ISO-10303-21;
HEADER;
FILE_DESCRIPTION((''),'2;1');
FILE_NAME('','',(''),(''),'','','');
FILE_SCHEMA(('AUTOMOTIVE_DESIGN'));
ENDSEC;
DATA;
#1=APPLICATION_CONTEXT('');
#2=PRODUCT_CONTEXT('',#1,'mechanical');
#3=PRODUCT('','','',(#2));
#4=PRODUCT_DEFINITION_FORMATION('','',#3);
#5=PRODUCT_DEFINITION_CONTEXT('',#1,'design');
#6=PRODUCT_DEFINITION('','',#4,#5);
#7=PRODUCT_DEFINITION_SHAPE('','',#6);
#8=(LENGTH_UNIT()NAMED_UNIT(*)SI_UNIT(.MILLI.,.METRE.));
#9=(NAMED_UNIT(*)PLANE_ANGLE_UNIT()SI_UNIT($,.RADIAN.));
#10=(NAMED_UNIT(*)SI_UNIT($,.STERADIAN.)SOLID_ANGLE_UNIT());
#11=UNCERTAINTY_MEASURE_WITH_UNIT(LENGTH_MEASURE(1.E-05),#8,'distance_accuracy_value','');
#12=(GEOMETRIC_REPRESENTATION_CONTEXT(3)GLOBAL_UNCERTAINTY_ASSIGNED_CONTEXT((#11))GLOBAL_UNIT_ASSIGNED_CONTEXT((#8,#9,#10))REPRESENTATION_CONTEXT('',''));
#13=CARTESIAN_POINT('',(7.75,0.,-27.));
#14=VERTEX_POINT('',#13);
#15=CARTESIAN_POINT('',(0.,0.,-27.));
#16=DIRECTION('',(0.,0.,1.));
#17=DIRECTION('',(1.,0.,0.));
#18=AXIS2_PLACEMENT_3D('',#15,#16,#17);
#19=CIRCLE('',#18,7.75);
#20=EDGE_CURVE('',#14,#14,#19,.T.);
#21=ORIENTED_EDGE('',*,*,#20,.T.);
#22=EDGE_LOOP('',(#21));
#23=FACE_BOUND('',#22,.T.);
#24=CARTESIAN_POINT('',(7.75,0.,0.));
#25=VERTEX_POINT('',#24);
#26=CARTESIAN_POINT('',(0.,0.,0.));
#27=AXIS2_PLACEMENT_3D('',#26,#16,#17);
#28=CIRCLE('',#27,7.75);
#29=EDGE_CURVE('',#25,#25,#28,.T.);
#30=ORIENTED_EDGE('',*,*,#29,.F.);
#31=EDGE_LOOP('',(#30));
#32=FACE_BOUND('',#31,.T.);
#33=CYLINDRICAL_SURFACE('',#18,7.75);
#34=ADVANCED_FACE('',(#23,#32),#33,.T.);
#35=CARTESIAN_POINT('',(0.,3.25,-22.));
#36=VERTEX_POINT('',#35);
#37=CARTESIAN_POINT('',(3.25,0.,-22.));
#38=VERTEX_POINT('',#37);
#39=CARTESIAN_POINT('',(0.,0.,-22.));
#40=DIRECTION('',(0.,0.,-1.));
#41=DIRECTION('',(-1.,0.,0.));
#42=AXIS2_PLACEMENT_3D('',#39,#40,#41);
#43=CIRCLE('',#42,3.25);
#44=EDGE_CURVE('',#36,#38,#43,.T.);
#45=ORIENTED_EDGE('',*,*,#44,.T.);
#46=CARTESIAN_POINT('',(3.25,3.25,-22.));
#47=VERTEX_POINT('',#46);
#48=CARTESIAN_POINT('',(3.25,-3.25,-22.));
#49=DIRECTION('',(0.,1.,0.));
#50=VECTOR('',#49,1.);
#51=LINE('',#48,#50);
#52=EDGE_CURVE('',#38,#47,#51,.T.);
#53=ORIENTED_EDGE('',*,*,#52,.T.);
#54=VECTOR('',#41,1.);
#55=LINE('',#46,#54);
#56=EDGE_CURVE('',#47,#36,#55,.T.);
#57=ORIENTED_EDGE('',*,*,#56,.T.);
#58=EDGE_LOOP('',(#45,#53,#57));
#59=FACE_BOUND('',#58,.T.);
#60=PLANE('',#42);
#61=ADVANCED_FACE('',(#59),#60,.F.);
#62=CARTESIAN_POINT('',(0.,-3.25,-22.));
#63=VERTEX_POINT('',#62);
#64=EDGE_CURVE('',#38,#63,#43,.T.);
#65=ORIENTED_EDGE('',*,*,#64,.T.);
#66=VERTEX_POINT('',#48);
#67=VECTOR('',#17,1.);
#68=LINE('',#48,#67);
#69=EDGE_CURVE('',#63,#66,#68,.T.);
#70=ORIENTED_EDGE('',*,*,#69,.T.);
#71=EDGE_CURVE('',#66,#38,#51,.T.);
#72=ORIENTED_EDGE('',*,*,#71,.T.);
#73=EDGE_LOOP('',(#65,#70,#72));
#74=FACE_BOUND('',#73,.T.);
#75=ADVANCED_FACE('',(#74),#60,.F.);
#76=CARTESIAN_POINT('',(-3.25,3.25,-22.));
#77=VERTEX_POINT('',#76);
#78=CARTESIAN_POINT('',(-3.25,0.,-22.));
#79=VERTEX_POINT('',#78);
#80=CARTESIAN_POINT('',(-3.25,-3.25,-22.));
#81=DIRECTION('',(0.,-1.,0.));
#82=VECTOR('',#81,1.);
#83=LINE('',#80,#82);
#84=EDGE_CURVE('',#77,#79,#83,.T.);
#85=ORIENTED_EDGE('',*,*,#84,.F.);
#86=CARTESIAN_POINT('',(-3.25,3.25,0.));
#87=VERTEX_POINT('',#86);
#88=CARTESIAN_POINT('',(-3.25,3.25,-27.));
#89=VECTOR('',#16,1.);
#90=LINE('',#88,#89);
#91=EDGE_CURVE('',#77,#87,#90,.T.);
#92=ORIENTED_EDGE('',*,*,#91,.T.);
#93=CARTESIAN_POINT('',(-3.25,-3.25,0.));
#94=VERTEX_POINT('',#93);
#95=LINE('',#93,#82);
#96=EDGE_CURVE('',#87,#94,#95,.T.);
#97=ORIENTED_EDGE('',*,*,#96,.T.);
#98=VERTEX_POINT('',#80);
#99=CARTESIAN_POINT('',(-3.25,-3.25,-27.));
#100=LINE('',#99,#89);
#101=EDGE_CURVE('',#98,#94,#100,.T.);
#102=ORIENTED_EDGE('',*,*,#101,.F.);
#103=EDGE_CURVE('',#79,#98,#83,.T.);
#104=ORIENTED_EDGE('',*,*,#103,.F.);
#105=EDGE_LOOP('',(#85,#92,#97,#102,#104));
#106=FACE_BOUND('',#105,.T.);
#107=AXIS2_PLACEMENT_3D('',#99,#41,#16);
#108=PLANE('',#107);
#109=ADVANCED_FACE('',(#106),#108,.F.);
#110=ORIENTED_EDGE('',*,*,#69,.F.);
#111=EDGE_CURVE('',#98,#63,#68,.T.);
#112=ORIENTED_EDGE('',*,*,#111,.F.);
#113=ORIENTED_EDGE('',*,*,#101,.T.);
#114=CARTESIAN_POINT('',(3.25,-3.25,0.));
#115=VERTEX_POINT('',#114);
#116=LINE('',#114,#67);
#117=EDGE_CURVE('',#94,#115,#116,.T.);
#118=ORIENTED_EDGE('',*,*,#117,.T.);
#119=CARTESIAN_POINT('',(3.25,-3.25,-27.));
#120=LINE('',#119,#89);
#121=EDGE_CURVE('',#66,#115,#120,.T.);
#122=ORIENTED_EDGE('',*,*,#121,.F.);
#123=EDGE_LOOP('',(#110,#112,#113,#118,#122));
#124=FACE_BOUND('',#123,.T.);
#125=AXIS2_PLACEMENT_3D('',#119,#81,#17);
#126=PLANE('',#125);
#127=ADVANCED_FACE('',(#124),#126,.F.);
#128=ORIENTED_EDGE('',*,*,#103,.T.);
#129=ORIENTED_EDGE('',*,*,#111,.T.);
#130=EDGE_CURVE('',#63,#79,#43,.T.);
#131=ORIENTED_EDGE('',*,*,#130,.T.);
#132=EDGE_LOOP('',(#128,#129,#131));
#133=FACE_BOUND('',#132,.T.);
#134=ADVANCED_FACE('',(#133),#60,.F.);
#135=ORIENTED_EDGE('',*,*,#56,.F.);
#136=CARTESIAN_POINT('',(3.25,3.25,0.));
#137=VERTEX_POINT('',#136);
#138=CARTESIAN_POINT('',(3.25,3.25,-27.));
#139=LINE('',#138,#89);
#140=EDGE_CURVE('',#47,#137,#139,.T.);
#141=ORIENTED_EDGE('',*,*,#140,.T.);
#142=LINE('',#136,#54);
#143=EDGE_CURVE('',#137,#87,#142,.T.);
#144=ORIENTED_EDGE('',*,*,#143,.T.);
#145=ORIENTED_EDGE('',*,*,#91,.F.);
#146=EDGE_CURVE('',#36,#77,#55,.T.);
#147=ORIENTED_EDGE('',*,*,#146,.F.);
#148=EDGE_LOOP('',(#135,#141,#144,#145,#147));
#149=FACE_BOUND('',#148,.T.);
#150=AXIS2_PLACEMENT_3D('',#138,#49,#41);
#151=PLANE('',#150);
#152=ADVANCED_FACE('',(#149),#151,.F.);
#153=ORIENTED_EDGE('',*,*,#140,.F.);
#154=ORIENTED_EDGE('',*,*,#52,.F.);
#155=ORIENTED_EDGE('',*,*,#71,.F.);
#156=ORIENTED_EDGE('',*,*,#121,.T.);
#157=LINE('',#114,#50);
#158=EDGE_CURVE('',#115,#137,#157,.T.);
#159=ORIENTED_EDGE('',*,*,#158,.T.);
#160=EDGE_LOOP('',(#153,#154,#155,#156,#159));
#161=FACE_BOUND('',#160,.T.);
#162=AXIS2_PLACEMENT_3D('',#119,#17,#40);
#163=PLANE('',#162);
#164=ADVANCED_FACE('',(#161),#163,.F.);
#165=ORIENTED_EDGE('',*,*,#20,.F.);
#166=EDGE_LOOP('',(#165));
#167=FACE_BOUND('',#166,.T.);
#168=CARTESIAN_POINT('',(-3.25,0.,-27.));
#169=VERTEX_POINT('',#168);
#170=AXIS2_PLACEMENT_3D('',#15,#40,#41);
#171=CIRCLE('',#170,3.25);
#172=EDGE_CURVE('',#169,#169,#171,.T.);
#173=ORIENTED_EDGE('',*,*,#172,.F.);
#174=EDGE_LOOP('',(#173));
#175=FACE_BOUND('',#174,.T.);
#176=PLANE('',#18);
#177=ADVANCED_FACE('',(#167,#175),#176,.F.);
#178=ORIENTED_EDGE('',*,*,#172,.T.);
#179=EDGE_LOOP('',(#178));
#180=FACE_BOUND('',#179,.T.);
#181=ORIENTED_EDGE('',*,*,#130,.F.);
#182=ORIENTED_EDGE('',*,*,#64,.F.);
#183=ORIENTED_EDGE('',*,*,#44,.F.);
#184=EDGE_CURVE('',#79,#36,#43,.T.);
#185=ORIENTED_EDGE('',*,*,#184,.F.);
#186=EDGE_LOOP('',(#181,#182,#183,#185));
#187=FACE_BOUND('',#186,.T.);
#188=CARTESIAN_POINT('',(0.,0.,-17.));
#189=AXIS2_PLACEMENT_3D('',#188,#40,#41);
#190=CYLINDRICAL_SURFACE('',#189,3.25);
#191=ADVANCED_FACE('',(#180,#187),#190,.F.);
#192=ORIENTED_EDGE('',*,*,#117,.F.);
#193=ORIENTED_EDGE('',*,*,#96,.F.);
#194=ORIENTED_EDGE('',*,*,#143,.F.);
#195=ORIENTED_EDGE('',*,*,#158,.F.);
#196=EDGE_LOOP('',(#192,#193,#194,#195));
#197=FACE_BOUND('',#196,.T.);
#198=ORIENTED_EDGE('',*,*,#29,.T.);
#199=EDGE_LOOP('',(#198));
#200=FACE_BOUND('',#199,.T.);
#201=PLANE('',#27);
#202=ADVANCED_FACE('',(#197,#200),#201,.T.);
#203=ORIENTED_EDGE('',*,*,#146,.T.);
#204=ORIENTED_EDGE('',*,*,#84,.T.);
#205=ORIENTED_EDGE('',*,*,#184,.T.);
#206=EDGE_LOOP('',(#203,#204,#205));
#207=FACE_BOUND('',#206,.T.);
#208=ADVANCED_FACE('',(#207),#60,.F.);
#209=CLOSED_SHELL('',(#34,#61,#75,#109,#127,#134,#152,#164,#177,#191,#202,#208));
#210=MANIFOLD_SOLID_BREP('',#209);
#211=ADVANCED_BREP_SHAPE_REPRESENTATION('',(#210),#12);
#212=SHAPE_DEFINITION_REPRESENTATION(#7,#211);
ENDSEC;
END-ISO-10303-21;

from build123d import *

# Parameters (mm, degrees)
CROQUIS1_R              = 7.75
SALIENTE_EXTRUIR1_DEPTH = 27
CROQUIS2_W              = 6.5
CROQUIS2_H              = 6.5
CORTAR_EXTRUIR1_DEPTH   = 30.139749484
CROQUIS3_R              = 5
SALIENTE_EXTRUIR2_DEPTH = 5
CROQUIS4_R              = 1.75
CORTAR_EXTRUIR2_DEPTH   = 30.139749484
CROQUIS5_R              = 3.25
CORTAR_EXTRUIR3_DEPTH   = 10


with BuildPart() as part:
    # Croquis1 → Saliente-Extruir1 (new body)
    with BuildSketch(Plane.XY):
        Circle(CROQUIS1_R)
    extrude(amount=-SALIENTE_EXTRUIR1_DEPTH)

    # Croquis2 → Cortar-Extruir1 (cut, through all)
    with BuildSketch(Plane.XY):
        Rectangle(CROQUIS2_W, CROQUIS2_H)
    extrude(amount=-CORTAR_EXTRUIR1_DEPTH, mode=Mode.SUBTRACT)

    # Croquis3 → Saliente-Extruir2 (add)
    with BuildSketch(Plane(origin=(0, 0, -27), x_dir=(-1, 0, 0), z_dir=(0, 0, -1))):
        Circle(CROQUIS3_R)
    extrude(amount=-SALIENTE_EXTRUIR2_DEPTH)

    # Croquis4 → Cortar-Extruir2 (cut, through all)
    with BuildSketch(Plane(origin=(0, 0, -27), x_dir=(-1, 0, 0), z_dir=(0, 0, -1))):
        Circle(CROQUIS4_R)
    extrude(amount=-CORTAR_EXTRUIR2_DEPTH, mode=Mode.SUBTRACT)

    # Croquis5 → Cortar-Extruir3 (cut)
    with BuildSketch(Plane(origin=(0, 0, -27), x_dir=(-1, 0, 0), z_dir=(0, 0, -1))):
        Circle(CROQUIS5_R)
    extrude(amount=-CORTAR_EXTRUIR3_DEPTH, mode=Mode.SUBTRACT)


solid = part.part
